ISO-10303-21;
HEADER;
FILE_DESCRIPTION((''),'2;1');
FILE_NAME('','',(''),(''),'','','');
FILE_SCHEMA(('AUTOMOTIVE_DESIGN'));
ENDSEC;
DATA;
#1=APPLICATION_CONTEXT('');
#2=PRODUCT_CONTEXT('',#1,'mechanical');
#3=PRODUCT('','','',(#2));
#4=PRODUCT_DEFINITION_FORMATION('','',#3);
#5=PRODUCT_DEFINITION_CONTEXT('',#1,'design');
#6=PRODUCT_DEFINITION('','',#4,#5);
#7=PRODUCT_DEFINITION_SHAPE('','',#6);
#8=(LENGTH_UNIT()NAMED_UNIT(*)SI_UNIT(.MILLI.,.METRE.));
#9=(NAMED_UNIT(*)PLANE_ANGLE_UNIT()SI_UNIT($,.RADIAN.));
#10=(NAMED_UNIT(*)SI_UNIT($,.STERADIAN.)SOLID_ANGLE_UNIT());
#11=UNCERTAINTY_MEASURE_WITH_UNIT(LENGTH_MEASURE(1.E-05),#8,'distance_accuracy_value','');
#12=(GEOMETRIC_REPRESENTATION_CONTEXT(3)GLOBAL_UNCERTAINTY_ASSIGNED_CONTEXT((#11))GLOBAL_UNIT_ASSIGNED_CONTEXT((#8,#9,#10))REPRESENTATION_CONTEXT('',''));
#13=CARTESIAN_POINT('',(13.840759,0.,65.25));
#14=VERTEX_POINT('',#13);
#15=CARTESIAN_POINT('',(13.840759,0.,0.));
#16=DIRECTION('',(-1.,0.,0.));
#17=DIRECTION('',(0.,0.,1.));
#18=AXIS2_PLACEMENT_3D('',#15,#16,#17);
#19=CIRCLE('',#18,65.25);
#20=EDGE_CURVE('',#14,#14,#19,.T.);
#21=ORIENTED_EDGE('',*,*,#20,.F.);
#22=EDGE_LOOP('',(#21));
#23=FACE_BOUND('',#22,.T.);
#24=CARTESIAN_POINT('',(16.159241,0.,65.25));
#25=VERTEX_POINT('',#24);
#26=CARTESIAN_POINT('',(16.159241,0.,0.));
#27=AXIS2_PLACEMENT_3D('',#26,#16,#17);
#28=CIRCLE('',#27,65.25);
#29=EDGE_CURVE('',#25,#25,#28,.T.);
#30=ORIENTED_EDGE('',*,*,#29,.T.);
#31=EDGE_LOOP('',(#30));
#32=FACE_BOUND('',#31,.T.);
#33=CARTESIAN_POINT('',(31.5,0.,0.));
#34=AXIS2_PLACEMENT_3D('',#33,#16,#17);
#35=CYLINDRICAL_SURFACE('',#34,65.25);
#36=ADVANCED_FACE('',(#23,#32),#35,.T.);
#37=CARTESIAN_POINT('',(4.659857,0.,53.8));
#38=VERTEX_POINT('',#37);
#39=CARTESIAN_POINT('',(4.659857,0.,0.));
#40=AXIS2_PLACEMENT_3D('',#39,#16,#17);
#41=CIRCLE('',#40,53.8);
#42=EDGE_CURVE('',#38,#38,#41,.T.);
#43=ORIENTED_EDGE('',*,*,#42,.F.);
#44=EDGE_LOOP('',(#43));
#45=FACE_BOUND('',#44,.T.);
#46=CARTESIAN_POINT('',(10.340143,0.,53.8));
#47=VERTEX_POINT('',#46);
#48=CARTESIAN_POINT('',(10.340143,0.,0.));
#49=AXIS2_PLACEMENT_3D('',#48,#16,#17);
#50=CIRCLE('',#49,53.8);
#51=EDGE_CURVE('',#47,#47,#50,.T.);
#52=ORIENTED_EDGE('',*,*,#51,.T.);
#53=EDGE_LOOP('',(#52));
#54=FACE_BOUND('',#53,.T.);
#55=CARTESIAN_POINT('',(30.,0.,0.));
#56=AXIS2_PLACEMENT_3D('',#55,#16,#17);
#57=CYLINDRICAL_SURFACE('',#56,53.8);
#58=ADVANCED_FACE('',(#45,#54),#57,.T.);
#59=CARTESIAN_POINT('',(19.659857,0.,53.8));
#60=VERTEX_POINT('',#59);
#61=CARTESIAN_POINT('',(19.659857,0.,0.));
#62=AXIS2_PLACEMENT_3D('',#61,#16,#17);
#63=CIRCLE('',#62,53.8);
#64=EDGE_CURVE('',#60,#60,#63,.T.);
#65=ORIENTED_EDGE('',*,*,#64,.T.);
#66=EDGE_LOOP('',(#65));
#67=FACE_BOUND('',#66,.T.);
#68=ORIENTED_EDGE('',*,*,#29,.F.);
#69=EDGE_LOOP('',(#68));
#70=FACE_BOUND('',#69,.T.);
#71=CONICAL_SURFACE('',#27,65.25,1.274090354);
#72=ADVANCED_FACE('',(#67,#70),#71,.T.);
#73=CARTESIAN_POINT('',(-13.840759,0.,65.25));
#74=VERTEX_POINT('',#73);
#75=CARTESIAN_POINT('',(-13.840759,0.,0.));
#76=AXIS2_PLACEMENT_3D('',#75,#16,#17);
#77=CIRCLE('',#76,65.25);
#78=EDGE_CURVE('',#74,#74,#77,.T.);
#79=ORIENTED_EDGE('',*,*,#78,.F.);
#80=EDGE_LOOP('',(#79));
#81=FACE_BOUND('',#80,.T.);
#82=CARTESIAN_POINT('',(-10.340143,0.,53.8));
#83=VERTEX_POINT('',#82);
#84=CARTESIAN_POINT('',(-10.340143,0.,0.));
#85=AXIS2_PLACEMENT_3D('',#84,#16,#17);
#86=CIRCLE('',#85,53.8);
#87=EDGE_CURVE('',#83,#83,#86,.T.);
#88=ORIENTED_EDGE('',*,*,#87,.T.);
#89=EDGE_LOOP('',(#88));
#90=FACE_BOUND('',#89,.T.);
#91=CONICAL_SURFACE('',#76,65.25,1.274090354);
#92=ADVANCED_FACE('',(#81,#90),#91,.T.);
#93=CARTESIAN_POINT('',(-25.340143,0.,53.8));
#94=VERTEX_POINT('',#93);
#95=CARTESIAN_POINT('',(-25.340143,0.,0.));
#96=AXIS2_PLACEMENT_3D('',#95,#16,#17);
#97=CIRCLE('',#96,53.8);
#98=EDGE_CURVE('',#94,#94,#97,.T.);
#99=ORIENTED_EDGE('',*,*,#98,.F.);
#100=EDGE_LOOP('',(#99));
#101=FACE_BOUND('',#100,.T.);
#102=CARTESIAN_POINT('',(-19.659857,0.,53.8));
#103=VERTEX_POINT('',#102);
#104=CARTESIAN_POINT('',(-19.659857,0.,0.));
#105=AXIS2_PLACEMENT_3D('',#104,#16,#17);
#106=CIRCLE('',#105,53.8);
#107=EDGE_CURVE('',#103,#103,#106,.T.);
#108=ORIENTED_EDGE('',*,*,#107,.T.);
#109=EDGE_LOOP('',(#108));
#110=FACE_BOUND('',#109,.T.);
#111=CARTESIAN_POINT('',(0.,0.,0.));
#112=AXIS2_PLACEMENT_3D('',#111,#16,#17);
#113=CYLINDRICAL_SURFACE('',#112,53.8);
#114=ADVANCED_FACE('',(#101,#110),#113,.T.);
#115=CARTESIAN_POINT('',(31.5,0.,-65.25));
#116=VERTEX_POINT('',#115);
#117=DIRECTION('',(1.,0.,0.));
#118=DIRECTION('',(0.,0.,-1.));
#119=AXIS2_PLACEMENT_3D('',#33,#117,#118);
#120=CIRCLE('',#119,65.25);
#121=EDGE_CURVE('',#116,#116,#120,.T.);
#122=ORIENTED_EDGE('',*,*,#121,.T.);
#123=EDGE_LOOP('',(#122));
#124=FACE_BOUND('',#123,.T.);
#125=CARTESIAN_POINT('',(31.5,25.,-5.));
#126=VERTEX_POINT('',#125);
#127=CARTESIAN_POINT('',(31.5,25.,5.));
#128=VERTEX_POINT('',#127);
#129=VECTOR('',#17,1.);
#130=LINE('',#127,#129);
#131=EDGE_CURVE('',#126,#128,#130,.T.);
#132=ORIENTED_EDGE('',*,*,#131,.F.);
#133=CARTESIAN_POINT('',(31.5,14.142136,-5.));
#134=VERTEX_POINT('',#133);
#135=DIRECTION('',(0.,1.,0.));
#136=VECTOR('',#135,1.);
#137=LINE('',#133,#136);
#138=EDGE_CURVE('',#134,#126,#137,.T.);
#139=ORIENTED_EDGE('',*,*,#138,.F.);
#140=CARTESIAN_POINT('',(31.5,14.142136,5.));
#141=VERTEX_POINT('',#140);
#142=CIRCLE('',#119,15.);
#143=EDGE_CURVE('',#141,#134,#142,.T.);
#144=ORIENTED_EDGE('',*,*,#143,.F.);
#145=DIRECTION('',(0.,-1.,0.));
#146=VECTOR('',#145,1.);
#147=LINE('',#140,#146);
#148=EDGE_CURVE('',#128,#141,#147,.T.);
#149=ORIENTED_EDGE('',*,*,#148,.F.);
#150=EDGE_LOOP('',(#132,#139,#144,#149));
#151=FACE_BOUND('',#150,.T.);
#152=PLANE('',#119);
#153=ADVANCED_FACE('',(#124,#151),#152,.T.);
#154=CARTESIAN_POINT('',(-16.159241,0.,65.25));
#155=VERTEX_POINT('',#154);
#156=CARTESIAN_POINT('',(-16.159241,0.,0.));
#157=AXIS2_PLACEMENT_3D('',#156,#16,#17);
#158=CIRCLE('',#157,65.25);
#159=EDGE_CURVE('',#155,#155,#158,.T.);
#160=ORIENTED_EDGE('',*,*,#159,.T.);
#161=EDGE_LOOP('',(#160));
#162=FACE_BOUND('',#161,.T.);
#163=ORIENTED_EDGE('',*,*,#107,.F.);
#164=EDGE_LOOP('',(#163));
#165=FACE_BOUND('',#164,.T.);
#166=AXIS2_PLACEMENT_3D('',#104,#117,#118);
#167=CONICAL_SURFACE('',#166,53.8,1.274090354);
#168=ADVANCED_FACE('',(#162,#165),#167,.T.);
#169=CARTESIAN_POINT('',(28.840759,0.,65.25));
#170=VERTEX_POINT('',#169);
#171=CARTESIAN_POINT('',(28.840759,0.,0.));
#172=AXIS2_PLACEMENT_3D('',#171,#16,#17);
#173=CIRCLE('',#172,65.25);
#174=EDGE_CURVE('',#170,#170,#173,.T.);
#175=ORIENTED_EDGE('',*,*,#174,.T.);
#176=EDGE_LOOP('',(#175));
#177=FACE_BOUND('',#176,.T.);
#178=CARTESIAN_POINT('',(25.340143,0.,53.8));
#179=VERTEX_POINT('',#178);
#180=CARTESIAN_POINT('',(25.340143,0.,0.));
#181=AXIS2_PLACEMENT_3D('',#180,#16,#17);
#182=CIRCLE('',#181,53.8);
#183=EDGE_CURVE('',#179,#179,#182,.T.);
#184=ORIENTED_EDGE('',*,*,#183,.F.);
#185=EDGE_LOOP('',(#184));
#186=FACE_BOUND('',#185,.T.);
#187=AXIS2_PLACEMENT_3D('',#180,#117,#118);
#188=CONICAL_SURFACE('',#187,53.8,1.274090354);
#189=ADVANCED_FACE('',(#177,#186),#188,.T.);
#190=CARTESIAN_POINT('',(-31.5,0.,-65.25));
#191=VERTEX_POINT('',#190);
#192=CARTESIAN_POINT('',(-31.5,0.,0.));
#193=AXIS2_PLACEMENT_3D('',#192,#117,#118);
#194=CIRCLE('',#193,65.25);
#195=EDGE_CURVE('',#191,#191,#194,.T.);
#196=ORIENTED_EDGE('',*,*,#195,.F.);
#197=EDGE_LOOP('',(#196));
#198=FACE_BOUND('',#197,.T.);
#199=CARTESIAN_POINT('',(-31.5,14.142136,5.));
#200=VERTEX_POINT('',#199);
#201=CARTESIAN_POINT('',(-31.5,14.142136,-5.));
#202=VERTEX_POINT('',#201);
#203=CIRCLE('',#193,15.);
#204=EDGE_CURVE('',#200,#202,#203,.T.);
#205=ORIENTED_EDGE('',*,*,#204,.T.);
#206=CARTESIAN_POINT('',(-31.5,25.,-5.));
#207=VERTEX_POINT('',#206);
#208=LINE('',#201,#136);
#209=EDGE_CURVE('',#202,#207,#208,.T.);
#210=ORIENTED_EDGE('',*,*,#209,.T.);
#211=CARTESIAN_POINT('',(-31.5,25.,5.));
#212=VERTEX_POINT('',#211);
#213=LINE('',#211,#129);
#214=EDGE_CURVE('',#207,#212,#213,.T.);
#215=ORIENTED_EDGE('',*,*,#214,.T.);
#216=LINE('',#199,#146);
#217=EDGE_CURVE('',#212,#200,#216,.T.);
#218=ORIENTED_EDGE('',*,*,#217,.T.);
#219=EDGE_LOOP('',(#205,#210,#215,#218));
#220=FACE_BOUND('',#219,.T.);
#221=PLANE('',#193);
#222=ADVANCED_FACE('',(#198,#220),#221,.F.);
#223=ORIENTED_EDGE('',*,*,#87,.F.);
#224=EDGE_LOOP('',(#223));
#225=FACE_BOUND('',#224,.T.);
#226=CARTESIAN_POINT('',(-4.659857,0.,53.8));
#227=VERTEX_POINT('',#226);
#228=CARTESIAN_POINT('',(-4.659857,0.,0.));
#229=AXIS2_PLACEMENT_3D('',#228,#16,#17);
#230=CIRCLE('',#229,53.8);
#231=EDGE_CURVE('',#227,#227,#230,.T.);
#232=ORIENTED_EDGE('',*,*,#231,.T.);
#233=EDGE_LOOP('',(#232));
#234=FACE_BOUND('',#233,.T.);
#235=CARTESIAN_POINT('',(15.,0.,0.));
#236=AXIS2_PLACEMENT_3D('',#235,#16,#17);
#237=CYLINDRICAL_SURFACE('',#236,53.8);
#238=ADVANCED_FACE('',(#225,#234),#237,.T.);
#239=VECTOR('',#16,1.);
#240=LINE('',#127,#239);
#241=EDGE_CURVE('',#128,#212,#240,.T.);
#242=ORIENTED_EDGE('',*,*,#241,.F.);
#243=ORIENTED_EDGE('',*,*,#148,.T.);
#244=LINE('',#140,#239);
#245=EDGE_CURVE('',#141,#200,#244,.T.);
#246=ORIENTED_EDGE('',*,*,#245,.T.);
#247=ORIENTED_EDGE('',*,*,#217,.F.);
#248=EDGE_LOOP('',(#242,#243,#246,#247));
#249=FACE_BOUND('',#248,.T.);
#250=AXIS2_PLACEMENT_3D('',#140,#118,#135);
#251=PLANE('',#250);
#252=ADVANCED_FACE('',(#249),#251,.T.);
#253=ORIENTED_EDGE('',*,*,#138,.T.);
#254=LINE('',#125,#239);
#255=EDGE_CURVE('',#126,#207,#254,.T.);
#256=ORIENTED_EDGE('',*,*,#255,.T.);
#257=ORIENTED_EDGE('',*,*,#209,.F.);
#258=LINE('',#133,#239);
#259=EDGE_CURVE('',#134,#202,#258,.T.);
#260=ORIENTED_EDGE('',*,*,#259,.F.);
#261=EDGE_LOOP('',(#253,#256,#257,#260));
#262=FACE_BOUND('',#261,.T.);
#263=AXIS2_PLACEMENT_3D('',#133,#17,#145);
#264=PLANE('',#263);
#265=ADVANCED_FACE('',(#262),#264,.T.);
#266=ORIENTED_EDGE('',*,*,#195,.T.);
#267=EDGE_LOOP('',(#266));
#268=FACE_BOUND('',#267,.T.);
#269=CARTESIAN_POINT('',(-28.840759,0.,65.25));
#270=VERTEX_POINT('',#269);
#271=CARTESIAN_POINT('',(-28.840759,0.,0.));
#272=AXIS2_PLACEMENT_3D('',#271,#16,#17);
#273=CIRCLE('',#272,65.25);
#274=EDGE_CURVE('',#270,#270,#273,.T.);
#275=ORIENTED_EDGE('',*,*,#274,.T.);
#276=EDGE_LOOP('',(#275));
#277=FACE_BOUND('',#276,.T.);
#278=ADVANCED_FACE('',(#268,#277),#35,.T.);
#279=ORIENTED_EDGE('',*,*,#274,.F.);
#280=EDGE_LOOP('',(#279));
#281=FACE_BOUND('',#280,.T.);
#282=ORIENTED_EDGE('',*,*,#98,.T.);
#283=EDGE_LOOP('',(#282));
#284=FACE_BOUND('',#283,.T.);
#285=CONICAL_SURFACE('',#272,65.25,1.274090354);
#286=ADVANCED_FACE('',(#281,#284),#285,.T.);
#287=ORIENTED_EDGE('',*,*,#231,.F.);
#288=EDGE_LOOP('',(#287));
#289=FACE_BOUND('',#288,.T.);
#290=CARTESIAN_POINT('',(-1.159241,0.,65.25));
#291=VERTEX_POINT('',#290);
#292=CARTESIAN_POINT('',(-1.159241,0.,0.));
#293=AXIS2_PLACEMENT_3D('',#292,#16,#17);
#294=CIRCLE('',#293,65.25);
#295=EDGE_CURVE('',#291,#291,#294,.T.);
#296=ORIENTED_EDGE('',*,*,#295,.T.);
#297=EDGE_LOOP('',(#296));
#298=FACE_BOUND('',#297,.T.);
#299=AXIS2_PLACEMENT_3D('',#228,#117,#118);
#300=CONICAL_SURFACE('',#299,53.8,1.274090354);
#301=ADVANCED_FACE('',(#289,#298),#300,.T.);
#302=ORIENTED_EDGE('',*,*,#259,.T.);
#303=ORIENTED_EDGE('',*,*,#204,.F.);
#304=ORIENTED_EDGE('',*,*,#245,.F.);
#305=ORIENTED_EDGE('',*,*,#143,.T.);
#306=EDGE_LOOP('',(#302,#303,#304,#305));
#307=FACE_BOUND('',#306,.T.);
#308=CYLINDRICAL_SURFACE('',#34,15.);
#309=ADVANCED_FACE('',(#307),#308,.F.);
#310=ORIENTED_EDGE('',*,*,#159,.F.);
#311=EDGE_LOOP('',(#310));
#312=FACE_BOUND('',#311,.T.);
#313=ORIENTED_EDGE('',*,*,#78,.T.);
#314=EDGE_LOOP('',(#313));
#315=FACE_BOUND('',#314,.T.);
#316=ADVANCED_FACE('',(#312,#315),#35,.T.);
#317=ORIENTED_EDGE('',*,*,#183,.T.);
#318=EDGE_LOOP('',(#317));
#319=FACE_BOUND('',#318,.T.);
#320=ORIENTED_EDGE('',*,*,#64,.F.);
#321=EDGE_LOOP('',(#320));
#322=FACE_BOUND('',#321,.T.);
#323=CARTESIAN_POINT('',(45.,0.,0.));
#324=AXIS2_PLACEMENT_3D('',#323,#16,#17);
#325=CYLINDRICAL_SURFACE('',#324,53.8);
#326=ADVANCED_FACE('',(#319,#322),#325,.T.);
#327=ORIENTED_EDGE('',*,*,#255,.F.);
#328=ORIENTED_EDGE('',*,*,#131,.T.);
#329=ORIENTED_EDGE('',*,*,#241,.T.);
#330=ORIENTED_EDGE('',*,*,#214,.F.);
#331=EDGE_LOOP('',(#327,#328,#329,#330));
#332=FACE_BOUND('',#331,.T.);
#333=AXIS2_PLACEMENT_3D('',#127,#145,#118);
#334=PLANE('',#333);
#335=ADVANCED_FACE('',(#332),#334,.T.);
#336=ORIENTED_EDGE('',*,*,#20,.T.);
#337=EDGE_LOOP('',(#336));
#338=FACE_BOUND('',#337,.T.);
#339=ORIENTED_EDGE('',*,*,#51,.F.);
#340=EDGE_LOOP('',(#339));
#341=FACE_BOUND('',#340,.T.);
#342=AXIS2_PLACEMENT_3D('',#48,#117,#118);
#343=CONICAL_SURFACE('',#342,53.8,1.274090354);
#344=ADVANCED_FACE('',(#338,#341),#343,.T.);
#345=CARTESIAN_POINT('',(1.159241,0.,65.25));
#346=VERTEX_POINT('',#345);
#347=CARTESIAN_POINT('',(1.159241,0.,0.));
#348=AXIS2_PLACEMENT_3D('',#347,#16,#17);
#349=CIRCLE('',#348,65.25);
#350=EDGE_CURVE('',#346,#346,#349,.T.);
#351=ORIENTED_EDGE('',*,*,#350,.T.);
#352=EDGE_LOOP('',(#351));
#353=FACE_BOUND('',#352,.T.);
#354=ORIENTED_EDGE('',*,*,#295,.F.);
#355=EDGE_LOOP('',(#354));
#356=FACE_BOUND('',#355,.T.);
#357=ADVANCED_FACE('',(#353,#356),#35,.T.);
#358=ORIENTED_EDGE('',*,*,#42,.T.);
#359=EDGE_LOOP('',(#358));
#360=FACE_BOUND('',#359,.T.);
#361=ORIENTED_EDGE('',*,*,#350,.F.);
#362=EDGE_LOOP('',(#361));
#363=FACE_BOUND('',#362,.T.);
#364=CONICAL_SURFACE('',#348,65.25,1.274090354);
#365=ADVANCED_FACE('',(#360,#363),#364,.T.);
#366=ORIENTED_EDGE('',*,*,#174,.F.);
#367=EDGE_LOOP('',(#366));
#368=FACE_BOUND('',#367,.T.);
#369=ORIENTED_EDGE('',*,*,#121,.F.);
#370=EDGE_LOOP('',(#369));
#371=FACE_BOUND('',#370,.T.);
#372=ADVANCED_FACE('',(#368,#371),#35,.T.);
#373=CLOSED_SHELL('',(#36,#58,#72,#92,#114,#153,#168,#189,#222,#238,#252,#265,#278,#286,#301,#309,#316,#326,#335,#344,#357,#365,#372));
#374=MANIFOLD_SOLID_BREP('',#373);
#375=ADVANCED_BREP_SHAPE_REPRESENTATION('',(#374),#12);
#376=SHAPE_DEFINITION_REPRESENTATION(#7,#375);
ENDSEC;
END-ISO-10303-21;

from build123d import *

# Parameters (mm, degrees)
SKETCH_1_R             = 65.25
EXTRUDE_1_DEPTH        = 31.5
PATTERN_LINEAR_1_COUNT = 4
PATTERN_LINEAR_1_PITCH = 15


with BuildPart() as part:
    # 草图1 → 凸台-拉伸1 (new, symmetric)
    with BuildSketch(Plane(origin=(0, 0, 0), x_dir=(0, 0, -1), z_dir=(1, 0, 0))):
        Circle(SKETCH_1_R)
        with BuildLine():
            Line((-5, 14.142135624), (-5, 25))
            Line((-5, 25), (5, 25))
            Line((5, 25), (5, 14.142135624))
            ThreePointArc((5, 14.142135624), (0, -15), (-5, 14.142135624))
        make_face(mode=Mode.SUBTRACT)
    extrude(amount=EXTRUDE_1_DEPTH, both=True)

    # 草图2 → 切除-旋转1 (revolve, cut)
    with BuildSketch(Plane.XY, mode=Mode.PRIVATE) as cut_revolve_1_sk:
        Polygon((-28.840759374, 65.25), (-16.159240626, 65.25), (-19.659856929, 53.8), (-25.340143071, 53.8), align=None)
    cut_revolve_1 = revolve(cut_revolve_1_sk.sketch.rotate(Axis((0, 0, 0), (1, 0, 0)), 90), axis=Axis((0, 0, 0), (1, 0, 0)), mode=Mode.SUBTRACT)

    # 阵列(线性)1: 切除-旋转1 ×4
    with Locations(*[(i * PATTERN_LINEAR_1_PITCH, 0, 0) for i in range(1, PATTERN_LINEAR_1_COUNT)]):
        add(cut_revolve_1, mode=Mode.SUBTRACT)


solid = part.part
